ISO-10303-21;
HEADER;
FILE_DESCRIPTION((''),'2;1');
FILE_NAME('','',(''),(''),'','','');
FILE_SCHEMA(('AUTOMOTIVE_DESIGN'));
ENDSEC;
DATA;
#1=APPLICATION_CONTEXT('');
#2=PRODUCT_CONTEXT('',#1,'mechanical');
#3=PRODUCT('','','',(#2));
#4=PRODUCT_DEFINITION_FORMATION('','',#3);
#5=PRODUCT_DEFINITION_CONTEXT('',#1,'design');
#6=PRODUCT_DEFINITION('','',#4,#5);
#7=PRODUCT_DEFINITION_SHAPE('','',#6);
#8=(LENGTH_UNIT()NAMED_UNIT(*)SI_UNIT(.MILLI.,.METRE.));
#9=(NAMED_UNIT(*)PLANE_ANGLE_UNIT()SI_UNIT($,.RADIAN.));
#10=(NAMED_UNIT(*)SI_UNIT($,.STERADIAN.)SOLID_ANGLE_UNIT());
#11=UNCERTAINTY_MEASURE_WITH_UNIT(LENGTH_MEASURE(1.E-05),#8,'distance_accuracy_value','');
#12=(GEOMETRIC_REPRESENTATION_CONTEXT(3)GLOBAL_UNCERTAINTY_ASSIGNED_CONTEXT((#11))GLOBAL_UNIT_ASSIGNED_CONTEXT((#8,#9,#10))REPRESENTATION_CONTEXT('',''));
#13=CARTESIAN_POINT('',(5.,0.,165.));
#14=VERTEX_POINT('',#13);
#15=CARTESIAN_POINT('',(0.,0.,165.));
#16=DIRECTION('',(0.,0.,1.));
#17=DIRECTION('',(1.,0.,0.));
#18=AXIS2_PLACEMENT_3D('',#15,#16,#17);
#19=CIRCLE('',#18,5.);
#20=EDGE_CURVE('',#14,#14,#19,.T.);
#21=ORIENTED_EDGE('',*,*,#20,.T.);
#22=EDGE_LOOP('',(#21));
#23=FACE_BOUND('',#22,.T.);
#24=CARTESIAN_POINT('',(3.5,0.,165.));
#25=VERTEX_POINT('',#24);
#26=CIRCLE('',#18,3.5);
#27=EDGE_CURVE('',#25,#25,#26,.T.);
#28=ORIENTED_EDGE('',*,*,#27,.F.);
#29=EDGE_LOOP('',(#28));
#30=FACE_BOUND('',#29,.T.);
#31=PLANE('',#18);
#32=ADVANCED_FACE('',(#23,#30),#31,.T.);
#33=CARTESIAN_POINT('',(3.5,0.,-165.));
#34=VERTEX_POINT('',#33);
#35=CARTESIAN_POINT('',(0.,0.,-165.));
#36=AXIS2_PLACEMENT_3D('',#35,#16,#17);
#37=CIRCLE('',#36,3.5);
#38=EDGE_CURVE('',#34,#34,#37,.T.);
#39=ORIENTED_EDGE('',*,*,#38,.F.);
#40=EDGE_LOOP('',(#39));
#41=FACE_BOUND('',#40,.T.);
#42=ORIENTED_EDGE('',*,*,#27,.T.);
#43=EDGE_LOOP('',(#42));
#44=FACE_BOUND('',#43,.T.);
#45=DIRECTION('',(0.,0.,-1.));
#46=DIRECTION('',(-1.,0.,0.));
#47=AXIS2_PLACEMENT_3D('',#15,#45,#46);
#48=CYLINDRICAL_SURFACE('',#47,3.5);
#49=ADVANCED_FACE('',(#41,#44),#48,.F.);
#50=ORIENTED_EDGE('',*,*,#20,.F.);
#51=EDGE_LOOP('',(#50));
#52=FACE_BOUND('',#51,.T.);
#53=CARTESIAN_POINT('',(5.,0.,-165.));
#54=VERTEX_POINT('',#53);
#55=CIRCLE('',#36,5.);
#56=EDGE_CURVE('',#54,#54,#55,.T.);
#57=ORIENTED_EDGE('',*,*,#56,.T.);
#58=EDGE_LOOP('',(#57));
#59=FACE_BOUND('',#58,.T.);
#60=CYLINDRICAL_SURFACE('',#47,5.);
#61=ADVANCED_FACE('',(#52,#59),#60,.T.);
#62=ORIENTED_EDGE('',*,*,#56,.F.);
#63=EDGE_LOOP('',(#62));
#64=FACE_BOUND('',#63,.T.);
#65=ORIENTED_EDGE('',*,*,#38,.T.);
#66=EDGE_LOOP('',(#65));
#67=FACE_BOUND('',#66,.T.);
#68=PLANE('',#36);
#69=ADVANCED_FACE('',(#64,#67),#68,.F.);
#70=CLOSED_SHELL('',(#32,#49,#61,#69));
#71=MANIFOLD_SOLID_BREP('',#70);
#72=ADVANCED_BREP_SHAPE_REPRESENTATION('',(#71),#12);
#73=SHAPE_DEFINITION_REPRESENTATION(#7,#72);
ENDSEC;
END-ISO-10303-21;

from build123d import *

# Parameters (mm, degrees)
SKETCH_1_R      = 5
SKETCH_1_R_2    = 3.5
EXTRUDE_1_DEPTH = 165


with BuildPart() as part:
    # 草图1 → 凸台-拉伸1 (new, symmetric)
    with BuildSketch(Plane.XY):
        Circle(SKETCH_1_R)
        Circle(SKETCH_1_R_2, mode=Mode.SUBTRACT)
    extrude(amount=EXTRUDE_1_DEPTH, both=True)


solid = part.part
